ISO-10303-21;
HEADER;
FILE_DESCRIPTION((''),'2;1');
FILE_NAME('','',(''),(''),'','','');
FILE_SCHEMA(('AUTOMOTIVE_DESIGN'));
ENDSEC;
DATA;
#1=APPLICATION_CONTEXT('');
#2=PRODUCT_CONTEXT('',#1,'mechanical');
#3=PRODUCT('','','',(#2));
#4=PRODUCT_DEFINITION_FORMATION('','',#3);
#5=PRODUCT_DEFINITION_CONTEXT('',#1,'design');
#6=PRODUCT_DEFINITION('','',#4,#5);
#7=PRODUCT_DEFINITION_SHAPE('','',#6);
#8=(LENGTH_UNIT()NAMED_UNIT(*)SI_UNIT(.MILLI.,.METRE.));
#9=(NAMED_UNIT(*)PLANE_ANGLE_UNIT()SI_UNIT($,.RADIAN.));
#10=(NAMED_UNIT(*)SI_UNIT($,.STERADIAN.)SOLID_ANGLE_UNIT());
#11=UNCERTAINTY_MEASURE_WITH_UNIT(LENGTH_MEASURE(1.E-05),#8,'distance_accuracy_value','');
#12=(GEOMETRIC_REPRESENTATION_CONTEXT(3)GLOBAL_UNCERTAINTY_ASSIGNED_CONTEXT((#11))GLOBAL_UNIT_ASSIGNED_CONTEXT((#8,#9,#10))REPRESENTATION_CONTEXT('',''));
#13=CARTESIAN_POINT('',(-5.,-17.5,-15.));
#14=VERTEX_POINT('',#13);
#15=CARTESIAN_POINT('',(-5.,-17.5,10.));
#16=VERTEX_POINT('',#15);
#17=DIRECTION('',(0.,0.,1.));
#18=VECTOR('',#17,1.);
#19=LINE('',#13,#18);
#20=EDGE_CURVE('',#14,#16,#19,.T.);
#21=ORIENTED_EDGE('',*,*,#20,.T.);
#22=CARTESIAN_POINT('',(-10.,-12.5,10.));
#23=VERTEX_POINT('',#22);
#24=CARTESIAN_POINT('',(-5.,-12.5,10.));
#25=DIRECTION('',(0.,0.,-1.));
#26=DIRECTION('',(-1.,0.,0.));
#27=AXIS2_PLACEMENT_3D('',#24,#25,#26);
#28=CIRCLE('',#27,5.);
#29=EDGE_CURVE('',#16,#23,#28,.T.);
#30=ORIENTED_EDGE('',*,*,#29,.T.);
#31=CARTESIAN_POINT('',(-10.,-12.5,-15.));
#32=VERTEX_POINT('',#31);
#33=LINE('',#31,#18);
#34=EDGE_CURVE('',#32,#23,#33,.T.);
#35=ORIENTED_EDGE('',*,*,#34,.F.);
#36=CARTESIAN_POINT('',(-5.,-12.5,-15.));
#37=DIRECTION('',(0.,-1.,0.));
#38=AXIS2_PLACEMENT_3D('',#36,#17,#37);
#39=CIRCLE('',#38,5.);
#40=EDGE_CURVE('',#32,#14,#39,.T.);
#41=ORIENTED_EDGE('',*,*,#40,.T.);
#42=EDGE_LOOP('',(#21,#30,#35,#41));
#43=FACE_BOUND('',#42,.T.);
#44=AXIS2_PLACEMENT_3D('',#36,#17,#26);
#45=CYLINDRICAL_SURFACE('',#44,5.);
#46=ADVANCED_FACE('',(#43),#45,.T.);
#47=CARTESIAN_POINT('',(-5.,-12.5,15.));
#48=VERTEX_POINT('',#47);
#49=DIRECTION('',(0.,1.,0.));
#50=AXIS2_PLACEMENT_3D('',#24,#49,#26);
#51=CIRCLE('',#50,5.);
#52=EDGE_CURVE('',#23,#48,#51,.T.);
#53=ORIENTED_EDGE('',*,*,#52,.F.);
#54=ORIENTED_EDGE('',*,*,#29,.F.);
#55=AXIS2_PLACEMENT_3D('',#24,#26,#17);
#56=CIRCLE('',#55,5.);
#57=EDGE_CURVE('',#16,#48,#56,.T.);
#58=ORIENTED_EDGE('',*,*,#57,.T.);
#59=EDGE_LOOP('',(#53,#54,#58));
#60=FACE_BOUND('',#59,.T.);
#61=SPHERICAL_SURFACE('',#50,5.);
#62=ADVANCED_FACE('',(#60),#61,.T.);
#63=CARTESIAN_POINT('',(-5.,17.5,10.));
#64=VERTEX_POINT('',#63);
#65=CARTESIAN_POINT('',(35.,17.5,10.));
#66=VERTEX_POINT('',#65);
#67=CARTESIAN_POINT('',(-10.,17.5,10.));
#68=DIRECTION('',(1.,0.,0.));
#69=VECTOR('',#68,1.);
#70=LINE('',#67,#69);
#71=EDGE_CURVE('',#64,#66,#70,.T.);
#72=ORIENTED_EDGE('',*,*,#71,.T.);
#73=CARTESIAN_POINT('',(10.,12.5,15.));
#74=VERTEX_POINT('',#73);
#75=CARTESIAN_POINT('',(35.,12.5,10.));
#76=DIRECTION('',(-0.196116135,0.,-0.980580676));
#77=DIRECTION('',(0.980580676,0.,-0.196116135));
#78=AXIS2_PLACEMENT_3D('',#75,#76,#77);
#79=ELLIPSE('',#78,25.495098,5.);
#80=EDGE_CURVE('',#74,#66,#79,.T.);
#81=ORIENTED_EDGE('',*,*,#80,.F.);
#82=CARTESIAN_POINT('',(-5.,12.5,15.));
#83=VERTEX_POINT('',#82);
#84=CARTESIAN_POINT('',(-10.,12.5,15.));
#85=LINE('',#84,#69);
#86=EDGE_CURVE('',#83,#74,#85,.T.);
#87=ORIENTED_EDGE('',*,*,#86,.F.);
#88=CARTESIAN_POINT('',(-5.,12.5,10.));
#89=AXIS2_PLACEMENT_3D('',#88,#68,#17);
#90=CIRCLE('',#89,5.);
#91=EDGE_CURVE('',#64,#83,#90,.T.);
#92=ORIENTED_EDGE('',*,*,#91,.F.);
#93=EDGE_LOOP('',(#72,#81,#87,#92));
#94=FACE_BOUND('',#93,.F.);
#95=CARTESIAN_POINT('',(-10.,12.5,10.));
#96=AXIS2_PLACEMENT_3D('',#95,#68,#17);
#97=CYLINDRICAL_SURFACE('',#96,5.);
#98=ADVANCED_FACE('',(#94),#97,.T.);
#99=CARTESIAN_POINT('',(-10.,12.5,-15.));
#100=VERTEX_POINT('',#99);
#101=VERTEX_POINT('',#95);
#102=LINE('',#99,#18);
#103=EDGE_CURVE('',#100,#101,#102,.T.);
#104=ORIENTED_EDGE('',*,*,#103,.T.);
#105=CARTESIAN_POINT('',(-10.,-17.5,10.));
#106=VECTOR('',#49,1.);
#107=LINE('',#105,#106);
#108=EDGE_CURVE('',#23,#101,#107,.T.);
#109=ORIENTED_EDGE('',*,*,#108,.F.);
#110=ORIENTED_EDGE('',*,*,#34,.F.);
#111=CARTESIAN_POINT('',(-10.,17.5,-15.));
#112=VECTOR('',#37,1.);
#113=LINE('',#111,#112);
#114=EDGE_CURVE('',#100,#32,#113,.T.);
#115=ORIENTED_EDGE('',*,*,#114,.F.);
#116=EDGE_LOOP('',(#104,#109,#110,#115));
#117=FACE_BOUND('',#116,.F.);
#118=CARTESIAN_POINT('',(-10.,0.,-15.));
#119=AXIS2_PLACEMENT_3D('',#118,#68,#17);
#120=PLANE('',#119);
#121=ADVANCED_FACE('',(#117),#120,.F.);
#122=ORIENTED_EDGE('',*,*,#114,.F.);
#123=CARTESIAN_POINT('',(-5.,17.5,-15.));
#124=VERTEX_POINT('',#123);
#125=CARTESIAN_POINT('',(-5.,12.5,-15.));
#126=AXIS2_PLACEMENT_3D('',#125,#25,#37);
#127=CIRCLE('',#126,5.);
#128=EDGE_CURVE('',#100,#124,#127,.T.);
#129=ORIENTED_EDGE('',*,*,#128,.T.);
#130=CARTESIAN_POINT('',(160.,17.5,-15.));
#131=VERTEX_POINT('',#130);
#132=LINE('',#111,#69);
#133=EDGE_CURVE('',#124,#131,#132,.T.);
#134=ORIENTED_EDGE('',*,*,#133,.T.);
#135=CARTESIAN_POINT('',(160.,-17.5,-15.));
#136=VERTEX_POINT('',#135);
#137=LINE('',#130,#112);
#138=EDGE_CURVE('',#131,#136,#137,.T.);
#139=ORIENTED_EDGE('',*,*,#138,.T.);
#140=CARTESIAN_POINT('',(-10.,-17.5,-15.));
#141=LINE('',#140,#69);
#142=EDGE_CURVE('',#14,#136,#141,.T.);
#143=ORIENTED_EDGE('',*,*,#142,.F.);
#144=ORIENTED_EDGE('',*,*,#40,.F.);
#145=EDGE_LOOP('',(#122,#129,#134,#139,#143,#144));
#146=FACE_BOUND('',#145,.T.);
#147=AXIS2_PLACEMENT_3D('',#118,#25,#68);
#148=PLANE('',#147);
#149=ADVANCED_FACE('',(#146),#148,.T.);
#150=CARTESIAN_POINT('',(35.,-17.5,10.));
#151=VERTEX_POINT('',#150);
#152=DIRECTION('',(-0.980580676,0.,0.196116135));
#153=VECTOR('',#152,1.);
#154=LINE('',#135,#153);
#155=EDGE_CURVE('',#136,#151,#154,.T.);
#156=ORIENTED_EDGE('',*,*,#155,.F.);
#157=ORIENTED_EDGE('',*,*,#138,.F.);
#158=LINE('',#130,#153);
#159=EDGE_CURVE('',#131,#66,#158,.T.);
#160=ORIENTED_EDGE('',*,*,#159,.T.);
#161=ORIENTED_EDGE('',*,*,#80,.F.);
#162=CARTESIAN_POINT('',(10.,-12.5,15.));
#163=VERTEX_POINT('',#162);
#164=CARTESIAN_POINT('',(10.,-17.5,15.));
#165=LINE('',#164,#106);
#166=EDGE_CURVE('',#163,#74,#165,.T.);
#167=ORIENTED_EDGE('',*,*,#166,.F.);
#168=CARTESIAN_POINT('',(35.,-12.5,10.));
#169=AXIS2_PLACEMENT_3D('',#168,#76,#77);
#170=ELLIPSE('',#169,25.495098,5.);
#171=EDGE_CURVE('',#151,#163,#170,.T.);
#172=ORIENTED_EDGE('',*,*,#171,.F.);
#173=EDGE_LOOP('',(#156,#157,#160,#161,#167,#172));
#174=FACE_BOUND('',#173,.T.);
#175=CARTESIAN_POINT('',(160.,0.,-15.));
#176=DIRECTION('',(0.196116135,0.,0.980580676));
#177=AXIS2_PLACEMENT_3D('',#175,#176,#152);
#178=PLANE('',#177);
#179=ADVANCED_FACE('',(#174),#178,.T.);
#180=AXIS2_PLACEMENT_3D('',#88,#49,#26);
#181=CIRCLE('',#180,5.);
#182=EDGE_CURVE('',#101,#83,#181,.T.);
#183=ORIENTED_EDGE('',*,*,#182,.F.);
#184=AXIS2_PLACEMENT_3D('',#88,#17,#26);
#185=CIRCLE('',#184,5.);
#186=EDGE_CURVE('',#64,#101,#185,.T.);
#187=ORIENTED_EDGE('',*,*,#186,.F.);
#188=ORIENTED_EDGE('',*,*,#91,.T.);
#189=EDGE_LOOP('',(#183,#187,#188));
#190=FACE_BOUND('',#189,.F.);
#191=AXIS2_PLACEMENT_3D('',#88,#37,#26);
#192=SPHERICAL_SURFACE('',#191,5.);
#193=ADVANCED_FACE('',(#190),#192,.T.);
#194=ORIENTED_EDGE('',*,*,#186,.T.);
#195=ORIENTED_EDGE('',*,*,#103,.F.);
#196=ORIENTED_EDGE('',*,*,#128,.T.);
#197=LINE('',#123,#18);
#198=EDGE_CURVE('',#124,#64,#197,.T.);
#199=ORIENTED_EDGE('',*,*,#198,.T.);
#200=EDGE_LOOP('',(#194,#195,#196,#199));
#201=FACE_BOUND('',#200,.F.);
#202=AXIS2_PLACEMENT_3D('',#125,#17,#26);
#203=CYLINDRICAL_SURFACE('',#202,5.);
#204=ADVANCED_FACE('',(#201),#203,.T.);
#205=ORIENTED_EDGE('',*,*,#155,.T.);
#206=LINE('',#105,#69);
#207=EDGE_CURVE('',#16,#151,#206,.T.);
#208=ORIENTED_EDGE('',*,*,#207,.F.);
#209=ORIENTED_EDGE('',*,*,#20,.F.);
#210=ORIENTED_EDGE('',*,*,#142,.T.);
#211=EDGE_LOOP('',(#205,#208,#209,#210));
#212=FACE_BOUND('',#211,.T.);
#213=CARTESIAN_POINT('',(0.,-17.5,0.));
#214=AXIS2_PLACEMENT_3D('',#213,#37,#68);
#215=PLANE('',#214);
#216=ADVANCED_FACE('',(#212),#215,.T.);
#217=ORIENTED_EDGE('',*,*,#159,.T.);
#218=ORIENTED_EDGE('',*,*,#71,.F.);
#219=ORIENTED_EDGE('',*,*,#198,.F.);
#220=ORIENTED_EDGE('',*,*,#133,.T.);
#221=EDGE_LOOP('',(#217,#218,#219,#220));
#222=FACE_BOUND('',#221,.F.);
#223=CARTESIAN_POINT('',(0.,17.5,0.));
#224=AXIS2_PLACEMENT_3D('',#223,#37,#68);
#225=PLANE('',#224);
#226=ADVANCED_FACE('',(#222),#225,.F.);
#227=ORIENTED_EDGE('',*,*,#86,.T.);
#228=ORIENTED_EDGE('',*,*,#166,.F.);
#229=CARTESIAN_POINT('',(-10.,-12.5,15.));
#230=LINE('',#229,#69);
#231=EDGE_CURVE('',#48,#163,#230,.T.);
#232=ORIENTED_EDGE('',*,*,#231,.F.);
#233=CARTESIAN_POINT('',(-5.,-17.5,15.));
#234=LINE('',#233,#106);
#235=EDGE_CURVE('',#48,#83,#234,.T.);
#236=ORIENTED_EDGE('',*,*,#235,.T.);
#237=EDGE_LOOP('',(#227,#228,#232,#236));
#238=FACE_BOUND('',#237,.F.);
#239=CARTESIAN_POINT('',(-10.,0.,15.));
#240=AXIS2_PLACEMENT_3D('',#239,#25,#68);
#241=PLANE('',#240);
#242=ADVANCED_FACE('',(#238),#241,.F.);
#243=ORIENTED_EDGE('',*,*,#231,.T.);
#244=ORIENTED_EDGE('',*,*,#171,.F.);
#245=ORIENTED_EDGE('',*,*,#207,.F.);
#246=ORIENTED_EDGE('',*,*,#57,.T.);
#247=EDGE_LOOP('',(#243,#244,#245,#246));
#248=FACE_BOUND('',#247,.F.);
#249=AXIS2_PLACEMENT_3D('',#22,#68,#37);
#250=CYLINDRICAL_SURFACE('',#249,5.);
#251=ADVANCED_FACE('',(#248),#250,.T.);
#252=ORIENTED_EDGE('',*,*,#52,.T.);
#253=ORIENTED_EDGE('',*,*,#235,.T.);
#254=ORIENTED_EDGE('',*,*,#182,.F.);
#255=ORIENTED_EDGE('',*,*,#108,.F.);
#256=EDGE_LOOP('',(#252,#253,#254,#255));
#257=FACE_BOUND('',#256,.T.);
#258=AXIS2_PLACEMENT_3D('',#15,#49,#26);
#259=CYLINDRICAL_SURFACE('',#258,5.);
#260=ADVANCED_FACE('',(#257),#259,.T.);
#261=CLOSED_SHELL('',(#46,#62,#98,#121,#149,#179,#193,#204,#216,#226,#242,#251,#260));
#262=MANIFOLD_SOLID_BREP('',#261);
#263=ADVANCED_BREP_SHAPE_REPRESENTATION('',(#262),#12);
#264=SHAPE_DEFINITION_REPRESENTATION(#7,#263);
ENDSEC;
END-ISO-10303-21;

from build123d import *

# Parameters (mm, degrees)
F0_W     = 20
F0_H     = 30
F1_DEPTH = 17.5
F2_R     = 5


with BuildPart() as f1:
    # F0 (on Front) → F1 (new body, symmetric)
    with BuildSketch(Plane.XZ):
        Rectangle(F0_W, F0_H)
        Polygon((160, -15), (10, 15), (10, -15), align=None)
    extrude(amount=F1_DEPTH, both=True)

    # F2
    f2_edges = [f1.edges().sort_by_distance(p)[0] for p in [
        (-10, 0, 15),
        (-10, -17.5, 0),
        (-10, 17.5, 0),
        (0, -17.5, 15),
        (0, 17.5, 15),
    ]]
    fillet(f2_edges, radius=F2_R)


solid = f1.part
